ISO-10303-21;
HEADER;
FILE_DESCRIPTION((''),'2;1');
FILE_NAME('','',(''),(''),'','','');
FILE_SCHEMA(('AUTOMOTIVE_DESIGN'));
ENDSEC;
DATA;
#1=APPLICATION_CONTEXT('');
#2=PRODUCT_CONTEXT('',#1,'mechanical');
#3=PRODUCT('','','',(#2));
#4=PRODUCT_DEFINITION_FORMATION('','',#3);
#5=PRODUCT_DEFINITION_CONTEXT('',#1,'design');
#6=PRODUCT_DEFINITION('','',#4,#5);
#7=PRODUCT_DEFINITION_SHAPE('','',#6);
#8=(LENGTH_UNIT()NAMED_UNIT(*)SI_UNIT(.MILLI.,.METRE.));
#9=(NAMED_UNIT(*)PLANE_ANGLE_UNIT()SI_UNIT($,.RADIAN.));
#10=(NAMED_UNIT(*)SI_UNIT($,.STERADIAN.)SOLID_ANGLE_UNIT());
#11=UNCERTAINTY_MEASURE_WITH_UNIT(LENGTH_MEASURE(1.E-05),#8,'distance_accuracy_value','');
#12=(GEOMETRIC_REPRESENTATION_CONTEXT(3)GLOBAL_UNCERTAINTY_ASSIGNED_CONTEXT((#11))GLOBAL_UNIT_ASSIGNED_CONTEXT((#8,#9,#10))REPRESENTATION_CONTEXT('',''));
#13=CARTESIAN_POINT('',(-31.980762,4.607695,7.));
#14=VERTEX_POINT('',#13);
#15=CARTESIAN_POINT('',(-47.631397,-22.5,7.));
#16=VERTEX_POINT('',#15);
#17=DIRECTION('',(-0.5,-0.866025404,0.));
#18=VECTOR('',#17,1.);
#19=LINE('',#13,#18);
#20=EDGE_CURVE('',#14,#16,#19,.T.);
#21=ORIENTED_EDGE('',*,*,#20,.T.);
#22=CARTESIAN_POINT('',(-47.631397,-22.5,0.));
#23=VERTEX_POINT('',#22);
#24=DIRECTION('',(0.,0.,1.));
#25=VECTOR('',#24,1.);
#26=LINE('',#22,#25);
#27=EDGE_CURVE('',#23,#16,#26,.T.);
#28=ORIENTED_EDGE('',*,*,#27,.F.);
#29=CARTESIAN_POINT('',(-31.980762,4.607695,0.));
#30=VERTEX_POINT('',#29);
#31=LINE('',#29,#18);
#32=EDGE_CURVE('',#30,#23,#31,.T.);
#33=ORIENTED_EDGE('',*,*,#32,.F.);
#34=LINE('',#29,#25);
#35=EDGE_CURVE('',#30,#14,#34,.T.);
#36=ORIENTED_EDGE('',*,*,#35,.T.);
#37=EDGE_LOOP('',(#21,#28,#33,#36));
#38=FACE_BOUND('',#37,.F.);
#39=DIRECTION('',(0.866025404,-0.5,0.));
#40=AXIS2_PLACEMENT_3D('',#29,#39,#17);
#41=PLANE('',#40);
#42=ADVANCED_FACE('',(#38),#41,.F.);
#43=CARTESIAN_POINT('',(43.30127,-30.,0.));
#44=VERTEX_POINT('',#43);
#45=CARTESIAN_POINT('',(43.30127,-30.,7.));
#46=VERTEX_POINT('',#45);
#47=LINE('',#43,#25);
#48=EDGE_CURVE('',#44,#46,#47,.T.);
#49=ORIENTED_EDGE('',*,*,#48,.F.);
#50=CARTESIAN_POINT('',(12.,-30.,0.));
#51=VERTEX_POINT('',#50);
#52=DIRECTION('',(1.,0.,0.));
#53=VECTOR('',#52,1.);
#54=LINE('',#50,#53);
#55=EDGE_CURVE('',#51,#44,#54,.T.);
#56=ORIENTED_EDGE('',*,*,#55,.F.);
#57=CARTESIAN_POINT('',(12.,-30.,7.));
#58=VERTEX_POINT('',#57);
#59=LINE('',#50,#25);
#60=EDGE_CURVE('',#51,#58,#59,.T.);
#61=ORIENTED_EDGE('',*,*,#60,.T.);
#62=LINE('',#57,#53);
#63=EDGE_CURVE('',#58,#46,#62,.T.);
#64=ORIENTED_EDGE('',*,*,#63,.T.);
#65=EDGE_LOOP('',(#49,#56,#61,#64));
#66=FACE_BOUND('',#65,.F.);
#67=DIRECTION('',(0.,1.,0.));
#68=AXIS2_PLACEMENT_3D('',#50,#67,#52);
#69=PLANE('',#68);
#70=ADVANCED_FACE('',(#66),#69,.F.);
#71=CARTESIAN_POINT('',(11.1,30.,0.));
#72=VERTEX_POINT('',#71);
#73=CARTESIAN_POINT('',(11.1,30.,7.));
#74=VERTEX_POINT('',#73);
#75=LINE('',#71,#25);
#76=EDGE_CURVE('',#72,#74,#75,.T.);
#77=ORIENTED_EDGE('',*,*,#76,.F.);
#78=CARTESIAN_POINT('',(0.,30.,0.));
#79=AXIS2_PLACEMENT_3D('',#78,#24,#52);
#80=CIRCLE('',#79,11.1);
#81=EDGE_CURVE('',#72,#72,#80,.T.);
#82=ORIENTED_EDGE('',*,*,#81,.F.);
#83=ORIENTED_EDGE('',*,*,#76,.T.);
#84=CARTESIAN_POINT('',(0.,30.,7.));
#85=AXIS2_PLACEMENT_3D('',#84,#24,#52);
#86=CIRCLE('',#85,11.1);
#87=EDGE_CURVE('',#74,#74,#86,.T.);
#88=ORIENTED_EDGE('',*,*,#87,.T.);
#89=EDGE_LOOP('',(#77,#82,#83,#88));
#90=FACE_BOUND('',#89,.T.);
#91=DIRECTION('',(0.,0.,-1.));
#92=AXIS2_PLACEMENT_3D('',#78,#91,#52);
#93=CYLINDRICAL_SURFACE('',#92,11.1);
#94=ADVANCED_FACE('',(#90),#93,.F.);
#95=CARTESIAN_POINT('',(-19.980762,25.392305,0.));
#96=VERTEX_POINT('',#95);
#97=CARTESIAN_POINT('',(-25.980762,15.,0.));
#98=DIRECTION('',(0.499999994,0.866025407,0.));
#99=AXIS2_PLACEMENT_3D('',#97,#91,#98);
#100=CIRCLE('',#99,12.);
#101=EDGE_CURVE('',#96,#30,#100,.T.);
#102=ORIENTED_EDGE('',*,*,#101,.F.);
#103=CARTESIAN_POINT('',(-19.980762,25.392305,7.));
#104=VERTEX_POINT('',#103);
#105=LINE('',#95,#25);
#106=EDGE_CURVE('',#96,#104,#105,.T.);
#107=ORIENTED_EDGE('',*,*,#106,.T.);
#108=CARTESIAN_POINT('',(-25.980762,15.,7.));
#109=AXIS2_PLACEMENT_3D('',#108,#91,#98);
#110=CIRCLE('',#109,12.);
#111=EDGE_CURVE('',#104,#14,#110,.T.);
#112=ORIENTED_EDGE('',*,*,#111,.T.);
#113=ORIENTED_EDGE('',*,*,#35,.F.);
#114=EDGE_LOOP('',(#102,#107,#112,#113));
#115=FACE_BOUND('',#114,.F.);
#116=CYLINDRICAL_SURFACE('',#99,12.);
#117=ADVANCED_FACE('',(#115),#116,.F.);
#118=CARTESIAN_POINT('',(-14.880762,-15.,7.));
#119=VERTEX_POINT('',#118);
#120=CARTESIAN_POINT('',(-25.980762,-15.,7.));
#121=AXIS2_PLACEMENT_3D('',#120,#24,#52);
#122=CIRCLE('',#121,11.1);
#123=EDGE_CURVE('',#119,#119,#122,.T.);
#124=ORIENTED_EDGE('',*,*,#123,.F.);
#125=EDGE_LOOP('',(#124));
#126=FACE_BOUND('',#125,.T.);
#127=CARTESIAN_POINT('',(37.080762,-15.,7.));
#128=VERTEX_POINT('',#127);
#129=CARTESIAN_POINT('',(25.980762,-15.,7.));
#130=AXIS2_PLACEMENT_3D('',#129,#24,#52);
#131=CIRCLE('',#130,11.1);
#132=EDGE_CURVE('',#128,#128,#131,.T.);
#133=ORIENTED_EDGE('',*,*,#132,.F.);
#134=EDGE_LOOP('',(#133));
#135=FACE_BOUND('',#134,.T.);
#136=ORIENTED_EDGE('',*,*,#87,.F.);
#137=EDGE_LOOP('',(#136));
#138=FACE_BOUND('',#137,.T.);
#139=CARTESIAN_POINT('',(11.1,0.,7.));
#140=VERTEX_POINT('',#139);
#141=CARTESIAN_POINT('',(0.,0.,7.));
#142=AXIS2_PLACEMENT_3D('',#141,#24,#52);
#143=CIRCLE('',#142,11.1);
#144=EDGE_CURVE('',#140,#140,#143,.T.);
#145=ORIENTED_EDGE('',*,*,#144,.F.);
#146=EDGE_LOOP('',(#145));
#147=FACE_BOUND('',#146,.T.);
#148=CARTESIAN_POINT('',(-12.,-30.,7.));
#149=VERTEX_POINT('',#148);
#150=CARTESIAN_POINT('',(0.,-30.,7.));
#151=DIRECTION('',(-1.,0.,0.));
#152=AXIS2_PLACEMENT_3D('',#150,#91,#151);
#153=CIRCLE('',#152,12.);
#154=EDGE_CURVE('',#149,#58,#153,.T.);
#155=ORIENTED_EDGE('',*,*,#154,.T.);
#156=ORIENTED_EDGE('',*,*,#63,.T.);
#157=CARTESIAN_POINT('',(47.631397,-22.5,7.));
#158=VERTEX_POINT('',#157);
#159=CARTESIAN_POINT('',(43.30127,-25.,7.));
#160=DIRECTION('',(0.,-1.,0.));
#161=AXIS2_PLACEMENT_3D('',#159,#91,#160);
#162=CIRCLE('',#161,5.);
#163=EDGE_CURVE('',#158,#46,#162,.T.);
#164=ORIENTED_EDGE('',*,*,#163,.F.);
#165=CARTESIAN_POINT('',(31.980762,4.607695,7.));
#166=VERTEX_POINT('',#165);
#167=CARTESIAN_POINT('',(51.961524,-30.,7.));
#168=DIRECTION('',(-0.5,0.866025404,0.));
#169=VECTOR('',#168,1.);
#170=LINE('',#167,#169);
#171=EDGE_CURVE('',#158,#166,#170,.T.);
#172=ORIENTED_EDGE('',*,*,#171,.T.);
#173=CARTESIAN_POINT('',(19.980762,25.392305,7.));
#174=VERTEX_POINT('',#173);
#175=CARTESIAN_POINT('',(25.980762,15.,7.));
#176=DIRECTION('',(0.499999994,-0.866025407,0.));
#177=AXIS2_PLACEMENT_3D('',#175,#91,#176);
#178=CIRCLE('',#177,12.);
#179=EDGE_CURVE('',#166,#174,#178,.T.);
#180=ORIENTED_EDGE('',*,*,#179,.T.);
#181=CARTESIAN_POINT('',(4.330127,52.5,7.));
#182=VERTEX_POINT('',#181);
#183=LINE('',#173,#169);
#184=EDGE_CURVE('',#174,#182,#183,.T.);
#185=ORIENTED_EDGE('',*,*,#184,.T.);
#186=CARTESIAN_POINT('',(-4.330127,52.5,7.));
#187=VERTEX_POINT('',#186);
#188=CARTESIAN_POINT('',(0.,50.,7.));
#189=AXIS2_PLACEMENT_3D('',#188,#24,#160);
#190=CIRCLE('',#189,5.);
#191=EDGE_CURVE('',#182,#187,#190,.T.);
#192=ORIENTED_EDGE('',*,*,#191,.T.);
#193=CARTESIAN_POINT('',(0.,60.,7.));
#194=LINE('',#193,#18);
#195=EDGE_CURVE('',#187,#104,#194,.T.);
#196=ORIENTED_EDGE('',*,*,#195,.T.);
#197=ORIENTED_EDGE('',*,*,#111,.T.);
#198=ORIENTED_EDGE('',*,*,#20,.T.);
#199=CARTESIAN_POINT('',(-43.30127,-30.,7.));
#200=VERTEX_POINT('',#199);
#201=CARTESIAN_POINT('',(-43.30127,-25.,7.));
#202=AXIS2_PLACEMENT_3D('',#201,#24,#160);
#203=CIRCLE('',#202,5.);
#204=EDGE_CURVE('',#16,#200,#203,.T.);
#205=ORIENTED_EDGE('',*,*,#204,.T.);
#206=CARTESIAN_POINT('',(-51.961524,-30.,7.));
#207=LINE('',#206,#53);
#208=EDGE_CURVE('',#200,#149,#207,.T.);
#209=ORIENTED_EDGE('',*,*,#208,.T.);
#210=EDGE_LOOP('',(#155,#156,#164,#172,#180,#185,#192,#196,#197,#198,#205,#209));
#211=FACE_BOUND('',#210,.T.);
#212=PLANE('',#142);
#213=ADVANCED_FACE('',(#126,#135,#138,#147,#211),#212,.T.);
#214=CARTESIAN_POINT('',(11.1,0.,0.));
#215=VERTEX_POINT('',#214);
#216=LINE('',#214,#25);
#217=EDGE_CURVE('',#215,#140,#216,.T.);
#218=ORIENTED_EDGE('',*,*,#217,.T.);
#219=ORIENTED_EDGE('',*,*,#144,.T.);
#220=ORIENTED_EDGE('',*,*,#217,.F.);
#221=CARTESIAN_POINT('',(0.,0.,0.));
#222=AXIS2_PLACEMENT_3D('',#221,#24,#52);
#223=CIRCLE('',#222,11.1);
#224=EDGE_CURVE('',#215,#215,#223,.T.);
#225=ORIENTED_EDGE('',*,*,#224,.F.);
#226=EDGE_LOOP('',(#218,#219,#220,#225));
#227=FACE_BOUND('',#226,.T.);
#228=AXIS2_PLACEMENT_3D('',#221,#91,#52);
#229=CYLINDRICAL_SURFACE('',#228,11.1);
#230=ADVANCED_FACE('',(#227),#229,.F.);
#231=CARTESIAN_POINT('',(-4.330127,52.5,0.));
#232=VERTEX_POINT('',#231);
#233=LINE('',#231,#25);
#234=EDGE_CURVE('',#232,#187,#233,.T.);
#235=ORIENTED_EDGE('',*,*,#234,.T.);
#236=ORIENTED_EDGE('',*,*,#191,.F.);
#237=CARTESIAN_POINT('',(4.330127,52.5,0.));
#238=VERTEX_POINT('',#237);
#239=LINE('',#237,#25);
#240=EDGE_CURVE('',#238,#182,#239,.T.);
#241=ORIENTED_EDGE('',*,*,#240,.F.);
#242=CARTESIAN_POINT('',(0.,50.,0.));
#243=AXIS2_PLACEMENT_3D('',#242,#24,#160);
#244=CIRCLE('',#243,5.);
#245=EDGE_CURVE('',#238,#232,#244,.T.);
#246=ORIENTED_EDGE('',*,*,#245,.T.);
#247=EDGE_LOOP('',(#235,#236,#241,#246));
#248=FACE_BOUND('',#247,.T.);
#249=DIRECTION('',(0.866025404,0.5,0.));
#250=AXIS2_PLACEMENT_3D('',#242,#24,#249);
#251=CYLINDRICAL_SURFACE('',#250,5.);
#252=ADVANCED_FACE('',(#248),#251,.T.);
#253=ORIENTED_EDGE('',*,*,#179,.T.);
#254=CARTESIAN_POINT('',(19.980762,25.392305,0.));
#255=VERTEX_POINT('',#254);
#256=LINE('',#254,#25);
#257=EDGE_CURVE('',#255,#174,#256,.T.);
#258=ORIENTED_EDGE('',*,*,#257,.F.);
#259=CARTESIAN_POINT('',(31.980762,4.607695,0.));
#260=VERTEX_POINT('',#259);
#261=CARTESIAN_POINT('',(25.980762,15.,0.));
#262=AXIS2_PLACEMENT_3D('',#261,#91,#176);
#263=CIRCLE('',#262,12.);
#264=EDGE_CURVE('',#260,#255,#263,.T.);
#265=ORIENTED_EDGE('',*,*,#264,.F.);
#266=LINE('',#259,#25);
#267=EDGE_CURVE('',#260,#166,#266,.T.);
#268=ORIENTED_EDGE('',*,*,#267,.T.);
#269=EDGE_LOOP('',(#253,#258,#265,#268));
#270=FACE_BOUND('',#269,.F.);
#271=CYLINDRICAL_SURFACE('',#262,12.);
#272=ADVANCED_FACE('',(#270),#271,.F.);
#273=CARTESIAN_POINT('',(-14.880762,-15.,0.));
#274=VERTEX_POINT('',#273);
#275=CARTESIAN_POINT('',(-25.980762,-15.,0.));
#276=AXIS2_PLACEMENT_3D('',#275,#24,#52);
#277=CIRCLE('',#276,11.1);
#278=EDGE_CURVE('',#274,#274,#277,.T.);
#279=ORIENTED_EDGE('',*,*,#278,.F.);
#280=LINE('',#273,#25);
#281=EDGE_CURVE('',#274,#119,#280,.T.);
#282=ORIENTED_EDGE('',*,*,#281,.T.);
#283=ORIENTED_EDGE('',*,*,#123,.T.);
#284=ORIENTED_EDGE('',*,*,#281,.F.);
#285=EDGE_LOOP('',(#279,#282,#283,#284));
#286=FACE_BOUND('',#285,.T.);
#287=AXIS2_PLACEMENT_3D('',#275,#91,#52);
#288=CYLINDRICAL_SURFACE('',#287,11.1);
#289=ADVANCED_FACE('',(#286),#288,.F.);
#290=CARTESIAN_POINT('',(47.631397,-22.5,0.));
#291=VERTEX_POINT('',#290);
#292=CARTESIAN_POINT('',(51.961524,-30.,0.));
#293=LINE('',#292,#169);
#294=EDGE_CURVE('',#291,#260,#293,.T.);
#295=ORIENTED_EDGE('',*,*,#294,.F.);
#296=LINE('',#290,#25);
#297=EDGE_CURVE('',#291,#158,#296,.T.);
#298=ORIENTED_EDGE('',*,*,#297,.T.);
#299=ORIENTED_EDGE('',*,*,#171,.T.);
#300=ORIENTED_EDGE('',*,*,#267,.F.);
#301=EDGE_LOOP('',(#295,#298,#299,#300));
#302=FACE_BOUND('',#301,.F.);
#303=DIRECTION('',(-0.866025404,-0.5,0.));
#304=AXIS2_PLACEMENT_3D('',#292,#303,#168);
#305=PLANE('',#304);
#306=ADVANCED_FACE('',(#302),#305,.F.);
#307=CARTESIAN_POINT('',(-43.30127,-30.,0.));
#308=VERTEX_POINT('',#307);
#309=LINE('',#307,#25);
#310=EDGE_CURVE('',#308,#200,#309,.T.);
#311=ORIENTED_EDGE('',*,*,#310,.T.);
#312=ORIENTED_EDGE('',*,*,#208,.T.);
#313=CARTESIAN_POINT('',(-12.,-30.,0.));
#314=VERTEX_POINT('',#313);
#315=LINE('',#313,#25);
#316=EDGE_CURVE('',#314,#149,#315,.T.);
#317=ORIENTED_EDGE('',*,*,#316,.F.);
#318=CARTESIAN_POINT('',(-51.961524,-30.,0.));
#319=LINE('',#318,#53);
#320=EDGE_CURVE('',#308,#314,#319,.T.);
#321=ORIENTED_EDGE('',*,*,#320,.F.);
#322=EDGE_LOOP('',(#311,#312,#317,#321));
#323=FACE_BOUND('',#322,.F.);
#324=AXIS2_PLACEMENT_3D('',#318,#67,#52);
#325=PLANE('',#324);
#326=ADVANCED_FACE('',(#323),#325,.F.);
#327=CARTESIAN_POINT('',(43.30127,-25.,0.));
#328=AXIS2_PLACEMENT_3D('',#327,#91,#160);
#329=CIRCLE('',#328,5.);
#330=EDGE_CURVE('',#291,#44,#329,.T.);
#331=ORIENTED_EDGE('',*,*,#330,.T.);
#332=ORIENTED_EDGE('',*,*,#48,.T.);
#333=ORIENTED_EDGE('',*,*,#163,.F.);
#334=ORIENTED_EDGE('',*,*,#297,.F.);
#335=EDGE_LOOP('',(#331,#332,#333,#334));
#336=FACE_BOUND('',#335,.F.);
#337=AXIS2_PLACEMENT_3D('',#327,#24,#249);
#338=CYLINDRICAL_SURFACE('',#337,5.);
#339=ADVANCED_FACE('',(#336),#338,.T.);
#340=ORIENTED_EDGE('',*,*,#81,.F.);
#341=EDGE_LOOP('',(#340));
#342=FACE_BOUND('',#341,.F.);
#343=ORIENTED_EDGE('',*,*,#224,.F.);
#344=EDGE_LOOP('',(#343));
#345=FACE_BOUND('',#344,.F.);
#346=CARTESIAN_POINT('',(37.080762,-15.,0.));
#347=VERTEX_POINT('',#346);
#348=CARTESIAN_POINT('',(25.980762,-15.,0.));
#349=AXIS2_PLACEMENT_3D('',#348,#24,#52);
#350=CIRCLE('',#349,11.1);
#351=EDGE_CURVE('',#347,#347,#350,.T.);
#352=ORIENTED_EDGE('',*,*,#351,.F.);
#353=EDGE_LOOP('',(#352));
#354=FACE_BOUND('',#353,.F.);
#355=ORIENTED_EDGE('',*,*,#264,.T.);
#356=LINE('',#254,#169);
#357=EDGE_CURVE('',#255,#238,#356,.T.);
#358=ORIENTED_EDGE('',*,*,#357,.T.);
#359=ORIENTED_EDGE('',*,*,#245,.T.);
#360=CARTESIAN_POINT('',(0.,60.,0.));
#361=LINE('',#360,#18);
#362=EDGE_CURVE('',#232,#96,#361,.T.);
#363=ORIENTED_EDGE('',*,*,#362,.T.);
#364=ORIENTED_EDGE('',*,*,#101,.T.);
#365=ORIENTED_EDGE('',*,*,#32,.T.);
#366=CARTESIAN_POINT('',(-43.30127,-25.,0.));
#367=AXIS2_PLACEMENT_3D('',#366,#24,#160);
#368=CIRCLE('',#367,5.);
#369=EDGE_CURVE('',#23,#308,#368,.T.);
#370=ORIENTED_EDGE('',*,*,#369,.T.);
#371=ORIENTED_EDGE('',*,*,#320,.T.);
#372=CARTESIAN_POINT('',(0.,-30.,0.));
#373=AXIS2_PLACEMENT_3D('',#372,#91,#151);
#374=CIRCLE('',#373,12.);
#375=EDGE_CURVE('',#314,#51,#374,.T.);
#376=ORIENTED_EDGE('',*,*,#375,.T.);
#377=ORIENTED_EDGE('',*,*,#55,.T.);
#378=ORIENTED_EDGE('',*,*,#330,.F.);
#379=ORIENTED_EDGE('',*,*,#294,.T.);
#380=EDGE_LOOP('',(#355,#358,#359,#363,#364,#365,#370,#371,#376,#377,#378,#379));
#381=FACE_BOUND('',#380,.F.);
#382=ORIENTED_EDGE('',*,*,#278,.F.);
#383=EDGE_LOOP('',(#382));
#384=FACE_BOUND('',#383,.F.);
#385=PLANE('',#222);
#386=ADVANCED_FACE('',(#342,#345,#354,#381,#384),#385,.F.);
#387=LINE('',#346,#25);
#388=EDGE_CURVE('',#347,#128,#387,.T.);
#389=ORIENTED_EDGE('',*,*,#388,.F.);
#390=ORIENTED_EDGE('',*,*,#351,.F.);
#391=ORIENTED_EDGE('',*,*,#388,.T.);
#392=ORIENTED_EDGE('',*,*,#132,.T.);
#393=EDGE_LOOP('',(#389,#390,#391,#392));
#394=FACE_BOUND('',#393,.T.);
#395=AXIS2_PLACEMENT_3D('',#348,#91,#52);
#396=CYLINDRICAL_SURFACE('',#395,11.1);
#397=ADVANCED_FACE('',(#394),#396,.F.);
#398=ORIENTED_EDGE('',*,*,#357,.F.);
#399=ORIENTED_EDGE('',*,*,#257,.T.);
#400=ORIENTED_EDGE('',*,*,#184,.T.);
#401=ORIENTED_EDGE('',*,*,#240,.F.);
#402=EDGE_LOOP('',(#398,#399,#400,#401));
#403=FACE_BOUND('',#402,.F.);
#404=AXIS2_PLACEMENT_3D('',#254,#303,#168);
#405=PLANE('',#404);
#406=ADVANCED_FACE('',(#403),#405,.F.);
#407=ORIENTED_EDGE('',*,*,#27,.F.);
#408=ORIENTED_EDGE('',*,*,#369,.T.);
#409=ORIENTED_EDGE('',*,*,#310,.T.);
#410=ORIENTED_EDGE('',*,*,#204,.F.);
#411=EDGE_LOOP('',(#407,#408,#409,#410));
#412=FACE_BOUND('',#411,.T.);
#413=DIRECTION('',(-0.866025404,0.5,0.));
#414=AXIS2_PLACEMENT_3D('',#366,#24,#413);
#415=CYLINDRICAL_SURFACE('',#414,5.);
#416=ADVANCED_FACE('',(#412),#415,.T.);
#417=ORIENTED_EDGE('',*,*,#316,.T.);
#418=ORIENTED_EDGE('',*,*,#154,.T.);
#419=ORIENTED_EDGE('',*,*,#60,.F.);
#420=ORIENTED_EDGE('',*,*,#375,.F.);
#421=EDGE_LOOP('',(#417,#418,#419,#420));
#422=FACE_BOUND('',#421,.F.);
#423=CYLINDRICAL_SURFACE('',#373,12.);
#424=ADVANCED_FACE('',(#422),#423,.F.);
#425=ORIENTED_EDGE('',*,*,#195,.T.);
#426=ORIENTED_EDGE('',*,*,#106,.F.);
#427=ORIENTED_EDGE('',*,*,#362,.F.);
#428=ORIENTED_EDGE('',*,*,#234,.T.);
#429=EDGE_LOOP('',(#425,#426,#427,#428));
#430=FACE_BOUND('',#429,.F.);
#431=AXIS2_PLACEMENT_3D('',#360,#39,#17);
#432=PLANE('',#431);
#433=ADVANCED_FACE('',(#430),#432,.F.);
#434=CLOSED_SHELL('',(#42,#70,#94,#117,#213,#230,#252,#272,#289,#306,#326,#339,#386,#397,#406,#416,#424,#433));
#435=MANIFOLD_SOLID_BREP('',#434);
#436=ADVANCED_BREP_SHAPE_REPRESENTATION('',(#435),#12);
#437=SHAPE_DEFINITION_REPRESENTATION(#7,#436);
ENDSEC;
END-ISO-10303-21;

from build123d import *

# Parameters (mm, degrees)
F0_R     = 11.1
F1_DEPTH = 7
F2_R     = 5


with BuildPart() as f1:
    # F0 (on Top) → F1 (new body)
    with BuildSketch(Plane.XY):
        with BuildLine():
            Line((19.980762, 25.392305), (0, 60))
            Line((0, 60), (-19.980762, 25.392305))
            ThreePointArc((-19.980762, 25.392305), (-15.588457, 9), (-31.980762, 4.607695))
            Line((-31.980762, 4.607695), (-51.961524, -30))
            Line((-51.961524, -30), (-12, -30))
            ThreePointArc((-12, -30), (0, -18), (12, -30))
            Line((12, -30), (51.961524, -30))
            Line((51.961524, -30), (31.980762, 4.607695))
            ThreePointArc((31.980762, 4.607695), (15.588457, 9), (19.980762, 25.392305))
        make_face()
        with Locations((-25.980762, -15)):
            Circle(F0_R, mode=Mode.SUBTRACT)
        with Locations((25.980762, -15)):
            Circle(F0_R, mode=Mode.SUBTRACT)
        Circle(F0_R, mode=Mode.SUBTRACT)
        with Locations((0, 30)):
            Circle(F0_R, mode=Mode.SUBTRACT)
    extrude(amount=F1_DEPTH)

    # F2
    f2_edges = [f1.edges().sort_by_distance(p)[0] for p in [
        (0, 60, 3.5),
        (51.961524, -30, 3.5),
        (-51.961524, -30, 3.5),
    ]]
    fillet(f2_edges, radius=F2_R)


solid = f1.part
